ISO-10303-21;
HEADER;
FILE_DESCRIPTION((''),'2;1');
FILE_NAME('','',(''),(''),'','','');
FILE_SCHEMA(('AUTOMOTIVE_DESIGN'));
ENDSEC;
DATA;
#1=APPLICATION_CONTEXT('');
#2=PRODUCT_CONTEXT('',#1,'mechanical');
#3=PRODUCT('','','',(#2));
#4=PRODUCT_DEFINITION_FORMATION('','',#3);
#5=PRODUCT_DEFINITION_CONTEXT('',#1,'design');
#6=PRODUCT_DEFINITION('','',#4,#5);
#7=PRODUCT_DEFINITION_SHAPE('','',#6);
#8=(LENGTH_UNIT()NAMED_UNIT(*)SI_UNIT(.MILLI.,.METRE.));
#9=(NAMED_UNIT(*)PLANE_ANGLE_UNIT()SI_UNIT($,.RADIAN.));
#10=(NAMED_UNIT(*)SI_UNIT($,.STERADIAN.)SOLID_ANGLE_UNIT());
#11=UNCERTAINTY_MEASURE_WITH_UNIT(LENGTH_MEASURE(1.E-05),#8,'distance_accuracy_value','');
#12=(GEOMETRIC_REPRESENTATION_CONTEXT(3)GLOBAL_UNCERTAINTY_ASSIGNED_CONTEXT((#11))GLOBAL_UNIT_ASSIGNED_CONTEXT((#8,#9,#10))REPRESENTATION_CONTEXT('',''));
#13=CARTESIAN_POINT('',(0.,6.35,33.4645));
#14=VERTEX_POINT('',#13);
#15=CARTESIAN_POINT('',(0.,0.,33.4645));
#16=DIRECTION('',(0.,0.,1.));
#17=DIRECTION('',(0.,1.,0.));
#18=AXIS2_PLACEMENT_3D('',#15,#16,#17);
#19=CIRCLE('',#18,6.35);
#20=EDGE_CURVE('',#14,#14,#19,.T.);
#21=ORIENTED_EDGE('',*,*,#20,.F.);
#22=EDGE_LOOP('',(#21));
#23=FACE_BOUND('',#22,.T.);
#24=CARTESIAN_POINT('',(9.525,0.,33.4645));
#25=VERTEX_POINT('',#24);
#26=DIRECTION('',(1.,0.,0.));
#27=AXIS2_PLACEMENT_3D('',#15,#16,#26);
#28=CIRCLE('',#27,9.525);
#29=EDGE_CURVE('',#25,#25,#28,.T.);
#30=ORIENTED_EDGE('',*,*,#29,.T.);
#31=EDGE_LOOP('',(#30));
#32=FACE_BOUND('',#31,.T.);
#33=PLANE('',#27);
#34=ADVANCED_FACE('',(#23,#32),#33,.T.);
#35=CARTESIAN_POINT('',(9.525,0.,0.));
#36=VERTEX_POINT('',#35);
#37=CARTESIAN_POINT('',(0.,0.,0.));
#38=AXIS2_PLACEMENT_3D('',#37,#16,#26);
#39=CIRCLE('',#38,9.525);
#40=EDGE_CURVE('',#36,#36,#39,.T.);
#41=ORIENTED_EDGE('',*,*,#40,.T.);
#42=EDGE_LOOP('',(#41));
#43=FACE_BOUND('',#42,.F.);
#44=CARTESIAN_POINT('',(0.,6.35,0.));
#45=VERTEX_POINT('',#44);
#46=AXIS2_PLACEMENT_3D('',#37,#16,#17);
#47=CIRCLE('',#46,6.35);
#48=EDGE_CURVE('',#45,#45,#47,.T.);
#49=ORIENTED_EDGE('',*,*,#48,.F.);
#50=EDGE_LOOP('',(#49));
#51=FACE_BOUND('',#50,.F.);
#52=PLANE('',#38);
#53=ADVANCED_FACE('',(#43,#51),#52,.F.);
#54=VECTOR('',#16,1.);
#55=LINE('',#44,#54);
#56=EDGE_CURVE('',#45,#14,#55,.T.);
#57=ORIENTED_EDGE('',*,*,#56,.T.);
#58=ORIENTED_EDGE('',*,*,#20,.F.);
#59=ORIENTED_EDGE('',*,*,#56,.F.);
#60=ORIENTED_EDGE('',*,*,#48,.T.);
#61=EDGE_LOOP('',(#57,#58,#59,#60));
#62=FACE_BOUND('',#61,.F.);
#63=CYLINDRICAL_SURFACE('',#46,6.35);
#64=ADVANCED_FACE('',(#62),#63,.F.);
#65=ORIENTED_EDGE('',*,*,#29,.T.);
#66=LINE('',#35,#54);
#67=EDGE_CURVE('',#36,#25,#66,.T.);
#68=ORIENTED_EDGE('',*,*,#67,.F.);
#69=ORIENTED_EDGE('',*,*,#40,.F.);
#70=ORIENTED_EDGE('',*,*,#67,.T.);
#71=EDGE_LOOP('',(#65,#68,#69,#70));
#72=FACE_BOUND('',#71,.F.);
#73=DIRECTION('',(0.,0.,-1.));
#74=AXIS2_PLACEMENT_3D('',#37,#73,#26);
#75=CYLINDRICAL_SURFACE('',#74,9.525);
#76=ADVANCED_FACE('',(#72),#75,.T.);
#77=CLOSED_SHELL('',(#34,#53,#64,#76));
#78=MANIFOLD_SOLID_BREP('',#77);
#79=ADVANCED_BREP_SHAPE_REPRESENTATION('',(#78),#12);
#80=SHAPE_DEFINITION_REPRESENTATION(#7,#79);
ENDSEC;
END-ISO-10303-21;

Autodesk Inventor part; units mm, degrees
ref_plane "YZ Plane" through (0, 0, 0) normal (1, 0, 0) x (0, 1, 0)
ref_plane "XZ Plane" through (0, 0, 0) normal (0, 1, 0) x (-1, 0, 0)
ref_plane "XY Plane" through (0, 0, 0) normal (0, 0, 1) x (1, 0, 0)
sketch "Sketch1" plane through (0, 0, 0) normal (0, 0, 1) x (1, 0, 0)
  circle A0 centre (0, 0) radius 9.525
  dimension "d0" = 19.05
extrude "Extrusion1" add sketch "Sketch1" along normal blind 33.4645
hole "Hole1" at (0, 0, 0) direction (0, 0, 1) diameter 12.7 end through all
properties part number "Main Connecting Standoff"
